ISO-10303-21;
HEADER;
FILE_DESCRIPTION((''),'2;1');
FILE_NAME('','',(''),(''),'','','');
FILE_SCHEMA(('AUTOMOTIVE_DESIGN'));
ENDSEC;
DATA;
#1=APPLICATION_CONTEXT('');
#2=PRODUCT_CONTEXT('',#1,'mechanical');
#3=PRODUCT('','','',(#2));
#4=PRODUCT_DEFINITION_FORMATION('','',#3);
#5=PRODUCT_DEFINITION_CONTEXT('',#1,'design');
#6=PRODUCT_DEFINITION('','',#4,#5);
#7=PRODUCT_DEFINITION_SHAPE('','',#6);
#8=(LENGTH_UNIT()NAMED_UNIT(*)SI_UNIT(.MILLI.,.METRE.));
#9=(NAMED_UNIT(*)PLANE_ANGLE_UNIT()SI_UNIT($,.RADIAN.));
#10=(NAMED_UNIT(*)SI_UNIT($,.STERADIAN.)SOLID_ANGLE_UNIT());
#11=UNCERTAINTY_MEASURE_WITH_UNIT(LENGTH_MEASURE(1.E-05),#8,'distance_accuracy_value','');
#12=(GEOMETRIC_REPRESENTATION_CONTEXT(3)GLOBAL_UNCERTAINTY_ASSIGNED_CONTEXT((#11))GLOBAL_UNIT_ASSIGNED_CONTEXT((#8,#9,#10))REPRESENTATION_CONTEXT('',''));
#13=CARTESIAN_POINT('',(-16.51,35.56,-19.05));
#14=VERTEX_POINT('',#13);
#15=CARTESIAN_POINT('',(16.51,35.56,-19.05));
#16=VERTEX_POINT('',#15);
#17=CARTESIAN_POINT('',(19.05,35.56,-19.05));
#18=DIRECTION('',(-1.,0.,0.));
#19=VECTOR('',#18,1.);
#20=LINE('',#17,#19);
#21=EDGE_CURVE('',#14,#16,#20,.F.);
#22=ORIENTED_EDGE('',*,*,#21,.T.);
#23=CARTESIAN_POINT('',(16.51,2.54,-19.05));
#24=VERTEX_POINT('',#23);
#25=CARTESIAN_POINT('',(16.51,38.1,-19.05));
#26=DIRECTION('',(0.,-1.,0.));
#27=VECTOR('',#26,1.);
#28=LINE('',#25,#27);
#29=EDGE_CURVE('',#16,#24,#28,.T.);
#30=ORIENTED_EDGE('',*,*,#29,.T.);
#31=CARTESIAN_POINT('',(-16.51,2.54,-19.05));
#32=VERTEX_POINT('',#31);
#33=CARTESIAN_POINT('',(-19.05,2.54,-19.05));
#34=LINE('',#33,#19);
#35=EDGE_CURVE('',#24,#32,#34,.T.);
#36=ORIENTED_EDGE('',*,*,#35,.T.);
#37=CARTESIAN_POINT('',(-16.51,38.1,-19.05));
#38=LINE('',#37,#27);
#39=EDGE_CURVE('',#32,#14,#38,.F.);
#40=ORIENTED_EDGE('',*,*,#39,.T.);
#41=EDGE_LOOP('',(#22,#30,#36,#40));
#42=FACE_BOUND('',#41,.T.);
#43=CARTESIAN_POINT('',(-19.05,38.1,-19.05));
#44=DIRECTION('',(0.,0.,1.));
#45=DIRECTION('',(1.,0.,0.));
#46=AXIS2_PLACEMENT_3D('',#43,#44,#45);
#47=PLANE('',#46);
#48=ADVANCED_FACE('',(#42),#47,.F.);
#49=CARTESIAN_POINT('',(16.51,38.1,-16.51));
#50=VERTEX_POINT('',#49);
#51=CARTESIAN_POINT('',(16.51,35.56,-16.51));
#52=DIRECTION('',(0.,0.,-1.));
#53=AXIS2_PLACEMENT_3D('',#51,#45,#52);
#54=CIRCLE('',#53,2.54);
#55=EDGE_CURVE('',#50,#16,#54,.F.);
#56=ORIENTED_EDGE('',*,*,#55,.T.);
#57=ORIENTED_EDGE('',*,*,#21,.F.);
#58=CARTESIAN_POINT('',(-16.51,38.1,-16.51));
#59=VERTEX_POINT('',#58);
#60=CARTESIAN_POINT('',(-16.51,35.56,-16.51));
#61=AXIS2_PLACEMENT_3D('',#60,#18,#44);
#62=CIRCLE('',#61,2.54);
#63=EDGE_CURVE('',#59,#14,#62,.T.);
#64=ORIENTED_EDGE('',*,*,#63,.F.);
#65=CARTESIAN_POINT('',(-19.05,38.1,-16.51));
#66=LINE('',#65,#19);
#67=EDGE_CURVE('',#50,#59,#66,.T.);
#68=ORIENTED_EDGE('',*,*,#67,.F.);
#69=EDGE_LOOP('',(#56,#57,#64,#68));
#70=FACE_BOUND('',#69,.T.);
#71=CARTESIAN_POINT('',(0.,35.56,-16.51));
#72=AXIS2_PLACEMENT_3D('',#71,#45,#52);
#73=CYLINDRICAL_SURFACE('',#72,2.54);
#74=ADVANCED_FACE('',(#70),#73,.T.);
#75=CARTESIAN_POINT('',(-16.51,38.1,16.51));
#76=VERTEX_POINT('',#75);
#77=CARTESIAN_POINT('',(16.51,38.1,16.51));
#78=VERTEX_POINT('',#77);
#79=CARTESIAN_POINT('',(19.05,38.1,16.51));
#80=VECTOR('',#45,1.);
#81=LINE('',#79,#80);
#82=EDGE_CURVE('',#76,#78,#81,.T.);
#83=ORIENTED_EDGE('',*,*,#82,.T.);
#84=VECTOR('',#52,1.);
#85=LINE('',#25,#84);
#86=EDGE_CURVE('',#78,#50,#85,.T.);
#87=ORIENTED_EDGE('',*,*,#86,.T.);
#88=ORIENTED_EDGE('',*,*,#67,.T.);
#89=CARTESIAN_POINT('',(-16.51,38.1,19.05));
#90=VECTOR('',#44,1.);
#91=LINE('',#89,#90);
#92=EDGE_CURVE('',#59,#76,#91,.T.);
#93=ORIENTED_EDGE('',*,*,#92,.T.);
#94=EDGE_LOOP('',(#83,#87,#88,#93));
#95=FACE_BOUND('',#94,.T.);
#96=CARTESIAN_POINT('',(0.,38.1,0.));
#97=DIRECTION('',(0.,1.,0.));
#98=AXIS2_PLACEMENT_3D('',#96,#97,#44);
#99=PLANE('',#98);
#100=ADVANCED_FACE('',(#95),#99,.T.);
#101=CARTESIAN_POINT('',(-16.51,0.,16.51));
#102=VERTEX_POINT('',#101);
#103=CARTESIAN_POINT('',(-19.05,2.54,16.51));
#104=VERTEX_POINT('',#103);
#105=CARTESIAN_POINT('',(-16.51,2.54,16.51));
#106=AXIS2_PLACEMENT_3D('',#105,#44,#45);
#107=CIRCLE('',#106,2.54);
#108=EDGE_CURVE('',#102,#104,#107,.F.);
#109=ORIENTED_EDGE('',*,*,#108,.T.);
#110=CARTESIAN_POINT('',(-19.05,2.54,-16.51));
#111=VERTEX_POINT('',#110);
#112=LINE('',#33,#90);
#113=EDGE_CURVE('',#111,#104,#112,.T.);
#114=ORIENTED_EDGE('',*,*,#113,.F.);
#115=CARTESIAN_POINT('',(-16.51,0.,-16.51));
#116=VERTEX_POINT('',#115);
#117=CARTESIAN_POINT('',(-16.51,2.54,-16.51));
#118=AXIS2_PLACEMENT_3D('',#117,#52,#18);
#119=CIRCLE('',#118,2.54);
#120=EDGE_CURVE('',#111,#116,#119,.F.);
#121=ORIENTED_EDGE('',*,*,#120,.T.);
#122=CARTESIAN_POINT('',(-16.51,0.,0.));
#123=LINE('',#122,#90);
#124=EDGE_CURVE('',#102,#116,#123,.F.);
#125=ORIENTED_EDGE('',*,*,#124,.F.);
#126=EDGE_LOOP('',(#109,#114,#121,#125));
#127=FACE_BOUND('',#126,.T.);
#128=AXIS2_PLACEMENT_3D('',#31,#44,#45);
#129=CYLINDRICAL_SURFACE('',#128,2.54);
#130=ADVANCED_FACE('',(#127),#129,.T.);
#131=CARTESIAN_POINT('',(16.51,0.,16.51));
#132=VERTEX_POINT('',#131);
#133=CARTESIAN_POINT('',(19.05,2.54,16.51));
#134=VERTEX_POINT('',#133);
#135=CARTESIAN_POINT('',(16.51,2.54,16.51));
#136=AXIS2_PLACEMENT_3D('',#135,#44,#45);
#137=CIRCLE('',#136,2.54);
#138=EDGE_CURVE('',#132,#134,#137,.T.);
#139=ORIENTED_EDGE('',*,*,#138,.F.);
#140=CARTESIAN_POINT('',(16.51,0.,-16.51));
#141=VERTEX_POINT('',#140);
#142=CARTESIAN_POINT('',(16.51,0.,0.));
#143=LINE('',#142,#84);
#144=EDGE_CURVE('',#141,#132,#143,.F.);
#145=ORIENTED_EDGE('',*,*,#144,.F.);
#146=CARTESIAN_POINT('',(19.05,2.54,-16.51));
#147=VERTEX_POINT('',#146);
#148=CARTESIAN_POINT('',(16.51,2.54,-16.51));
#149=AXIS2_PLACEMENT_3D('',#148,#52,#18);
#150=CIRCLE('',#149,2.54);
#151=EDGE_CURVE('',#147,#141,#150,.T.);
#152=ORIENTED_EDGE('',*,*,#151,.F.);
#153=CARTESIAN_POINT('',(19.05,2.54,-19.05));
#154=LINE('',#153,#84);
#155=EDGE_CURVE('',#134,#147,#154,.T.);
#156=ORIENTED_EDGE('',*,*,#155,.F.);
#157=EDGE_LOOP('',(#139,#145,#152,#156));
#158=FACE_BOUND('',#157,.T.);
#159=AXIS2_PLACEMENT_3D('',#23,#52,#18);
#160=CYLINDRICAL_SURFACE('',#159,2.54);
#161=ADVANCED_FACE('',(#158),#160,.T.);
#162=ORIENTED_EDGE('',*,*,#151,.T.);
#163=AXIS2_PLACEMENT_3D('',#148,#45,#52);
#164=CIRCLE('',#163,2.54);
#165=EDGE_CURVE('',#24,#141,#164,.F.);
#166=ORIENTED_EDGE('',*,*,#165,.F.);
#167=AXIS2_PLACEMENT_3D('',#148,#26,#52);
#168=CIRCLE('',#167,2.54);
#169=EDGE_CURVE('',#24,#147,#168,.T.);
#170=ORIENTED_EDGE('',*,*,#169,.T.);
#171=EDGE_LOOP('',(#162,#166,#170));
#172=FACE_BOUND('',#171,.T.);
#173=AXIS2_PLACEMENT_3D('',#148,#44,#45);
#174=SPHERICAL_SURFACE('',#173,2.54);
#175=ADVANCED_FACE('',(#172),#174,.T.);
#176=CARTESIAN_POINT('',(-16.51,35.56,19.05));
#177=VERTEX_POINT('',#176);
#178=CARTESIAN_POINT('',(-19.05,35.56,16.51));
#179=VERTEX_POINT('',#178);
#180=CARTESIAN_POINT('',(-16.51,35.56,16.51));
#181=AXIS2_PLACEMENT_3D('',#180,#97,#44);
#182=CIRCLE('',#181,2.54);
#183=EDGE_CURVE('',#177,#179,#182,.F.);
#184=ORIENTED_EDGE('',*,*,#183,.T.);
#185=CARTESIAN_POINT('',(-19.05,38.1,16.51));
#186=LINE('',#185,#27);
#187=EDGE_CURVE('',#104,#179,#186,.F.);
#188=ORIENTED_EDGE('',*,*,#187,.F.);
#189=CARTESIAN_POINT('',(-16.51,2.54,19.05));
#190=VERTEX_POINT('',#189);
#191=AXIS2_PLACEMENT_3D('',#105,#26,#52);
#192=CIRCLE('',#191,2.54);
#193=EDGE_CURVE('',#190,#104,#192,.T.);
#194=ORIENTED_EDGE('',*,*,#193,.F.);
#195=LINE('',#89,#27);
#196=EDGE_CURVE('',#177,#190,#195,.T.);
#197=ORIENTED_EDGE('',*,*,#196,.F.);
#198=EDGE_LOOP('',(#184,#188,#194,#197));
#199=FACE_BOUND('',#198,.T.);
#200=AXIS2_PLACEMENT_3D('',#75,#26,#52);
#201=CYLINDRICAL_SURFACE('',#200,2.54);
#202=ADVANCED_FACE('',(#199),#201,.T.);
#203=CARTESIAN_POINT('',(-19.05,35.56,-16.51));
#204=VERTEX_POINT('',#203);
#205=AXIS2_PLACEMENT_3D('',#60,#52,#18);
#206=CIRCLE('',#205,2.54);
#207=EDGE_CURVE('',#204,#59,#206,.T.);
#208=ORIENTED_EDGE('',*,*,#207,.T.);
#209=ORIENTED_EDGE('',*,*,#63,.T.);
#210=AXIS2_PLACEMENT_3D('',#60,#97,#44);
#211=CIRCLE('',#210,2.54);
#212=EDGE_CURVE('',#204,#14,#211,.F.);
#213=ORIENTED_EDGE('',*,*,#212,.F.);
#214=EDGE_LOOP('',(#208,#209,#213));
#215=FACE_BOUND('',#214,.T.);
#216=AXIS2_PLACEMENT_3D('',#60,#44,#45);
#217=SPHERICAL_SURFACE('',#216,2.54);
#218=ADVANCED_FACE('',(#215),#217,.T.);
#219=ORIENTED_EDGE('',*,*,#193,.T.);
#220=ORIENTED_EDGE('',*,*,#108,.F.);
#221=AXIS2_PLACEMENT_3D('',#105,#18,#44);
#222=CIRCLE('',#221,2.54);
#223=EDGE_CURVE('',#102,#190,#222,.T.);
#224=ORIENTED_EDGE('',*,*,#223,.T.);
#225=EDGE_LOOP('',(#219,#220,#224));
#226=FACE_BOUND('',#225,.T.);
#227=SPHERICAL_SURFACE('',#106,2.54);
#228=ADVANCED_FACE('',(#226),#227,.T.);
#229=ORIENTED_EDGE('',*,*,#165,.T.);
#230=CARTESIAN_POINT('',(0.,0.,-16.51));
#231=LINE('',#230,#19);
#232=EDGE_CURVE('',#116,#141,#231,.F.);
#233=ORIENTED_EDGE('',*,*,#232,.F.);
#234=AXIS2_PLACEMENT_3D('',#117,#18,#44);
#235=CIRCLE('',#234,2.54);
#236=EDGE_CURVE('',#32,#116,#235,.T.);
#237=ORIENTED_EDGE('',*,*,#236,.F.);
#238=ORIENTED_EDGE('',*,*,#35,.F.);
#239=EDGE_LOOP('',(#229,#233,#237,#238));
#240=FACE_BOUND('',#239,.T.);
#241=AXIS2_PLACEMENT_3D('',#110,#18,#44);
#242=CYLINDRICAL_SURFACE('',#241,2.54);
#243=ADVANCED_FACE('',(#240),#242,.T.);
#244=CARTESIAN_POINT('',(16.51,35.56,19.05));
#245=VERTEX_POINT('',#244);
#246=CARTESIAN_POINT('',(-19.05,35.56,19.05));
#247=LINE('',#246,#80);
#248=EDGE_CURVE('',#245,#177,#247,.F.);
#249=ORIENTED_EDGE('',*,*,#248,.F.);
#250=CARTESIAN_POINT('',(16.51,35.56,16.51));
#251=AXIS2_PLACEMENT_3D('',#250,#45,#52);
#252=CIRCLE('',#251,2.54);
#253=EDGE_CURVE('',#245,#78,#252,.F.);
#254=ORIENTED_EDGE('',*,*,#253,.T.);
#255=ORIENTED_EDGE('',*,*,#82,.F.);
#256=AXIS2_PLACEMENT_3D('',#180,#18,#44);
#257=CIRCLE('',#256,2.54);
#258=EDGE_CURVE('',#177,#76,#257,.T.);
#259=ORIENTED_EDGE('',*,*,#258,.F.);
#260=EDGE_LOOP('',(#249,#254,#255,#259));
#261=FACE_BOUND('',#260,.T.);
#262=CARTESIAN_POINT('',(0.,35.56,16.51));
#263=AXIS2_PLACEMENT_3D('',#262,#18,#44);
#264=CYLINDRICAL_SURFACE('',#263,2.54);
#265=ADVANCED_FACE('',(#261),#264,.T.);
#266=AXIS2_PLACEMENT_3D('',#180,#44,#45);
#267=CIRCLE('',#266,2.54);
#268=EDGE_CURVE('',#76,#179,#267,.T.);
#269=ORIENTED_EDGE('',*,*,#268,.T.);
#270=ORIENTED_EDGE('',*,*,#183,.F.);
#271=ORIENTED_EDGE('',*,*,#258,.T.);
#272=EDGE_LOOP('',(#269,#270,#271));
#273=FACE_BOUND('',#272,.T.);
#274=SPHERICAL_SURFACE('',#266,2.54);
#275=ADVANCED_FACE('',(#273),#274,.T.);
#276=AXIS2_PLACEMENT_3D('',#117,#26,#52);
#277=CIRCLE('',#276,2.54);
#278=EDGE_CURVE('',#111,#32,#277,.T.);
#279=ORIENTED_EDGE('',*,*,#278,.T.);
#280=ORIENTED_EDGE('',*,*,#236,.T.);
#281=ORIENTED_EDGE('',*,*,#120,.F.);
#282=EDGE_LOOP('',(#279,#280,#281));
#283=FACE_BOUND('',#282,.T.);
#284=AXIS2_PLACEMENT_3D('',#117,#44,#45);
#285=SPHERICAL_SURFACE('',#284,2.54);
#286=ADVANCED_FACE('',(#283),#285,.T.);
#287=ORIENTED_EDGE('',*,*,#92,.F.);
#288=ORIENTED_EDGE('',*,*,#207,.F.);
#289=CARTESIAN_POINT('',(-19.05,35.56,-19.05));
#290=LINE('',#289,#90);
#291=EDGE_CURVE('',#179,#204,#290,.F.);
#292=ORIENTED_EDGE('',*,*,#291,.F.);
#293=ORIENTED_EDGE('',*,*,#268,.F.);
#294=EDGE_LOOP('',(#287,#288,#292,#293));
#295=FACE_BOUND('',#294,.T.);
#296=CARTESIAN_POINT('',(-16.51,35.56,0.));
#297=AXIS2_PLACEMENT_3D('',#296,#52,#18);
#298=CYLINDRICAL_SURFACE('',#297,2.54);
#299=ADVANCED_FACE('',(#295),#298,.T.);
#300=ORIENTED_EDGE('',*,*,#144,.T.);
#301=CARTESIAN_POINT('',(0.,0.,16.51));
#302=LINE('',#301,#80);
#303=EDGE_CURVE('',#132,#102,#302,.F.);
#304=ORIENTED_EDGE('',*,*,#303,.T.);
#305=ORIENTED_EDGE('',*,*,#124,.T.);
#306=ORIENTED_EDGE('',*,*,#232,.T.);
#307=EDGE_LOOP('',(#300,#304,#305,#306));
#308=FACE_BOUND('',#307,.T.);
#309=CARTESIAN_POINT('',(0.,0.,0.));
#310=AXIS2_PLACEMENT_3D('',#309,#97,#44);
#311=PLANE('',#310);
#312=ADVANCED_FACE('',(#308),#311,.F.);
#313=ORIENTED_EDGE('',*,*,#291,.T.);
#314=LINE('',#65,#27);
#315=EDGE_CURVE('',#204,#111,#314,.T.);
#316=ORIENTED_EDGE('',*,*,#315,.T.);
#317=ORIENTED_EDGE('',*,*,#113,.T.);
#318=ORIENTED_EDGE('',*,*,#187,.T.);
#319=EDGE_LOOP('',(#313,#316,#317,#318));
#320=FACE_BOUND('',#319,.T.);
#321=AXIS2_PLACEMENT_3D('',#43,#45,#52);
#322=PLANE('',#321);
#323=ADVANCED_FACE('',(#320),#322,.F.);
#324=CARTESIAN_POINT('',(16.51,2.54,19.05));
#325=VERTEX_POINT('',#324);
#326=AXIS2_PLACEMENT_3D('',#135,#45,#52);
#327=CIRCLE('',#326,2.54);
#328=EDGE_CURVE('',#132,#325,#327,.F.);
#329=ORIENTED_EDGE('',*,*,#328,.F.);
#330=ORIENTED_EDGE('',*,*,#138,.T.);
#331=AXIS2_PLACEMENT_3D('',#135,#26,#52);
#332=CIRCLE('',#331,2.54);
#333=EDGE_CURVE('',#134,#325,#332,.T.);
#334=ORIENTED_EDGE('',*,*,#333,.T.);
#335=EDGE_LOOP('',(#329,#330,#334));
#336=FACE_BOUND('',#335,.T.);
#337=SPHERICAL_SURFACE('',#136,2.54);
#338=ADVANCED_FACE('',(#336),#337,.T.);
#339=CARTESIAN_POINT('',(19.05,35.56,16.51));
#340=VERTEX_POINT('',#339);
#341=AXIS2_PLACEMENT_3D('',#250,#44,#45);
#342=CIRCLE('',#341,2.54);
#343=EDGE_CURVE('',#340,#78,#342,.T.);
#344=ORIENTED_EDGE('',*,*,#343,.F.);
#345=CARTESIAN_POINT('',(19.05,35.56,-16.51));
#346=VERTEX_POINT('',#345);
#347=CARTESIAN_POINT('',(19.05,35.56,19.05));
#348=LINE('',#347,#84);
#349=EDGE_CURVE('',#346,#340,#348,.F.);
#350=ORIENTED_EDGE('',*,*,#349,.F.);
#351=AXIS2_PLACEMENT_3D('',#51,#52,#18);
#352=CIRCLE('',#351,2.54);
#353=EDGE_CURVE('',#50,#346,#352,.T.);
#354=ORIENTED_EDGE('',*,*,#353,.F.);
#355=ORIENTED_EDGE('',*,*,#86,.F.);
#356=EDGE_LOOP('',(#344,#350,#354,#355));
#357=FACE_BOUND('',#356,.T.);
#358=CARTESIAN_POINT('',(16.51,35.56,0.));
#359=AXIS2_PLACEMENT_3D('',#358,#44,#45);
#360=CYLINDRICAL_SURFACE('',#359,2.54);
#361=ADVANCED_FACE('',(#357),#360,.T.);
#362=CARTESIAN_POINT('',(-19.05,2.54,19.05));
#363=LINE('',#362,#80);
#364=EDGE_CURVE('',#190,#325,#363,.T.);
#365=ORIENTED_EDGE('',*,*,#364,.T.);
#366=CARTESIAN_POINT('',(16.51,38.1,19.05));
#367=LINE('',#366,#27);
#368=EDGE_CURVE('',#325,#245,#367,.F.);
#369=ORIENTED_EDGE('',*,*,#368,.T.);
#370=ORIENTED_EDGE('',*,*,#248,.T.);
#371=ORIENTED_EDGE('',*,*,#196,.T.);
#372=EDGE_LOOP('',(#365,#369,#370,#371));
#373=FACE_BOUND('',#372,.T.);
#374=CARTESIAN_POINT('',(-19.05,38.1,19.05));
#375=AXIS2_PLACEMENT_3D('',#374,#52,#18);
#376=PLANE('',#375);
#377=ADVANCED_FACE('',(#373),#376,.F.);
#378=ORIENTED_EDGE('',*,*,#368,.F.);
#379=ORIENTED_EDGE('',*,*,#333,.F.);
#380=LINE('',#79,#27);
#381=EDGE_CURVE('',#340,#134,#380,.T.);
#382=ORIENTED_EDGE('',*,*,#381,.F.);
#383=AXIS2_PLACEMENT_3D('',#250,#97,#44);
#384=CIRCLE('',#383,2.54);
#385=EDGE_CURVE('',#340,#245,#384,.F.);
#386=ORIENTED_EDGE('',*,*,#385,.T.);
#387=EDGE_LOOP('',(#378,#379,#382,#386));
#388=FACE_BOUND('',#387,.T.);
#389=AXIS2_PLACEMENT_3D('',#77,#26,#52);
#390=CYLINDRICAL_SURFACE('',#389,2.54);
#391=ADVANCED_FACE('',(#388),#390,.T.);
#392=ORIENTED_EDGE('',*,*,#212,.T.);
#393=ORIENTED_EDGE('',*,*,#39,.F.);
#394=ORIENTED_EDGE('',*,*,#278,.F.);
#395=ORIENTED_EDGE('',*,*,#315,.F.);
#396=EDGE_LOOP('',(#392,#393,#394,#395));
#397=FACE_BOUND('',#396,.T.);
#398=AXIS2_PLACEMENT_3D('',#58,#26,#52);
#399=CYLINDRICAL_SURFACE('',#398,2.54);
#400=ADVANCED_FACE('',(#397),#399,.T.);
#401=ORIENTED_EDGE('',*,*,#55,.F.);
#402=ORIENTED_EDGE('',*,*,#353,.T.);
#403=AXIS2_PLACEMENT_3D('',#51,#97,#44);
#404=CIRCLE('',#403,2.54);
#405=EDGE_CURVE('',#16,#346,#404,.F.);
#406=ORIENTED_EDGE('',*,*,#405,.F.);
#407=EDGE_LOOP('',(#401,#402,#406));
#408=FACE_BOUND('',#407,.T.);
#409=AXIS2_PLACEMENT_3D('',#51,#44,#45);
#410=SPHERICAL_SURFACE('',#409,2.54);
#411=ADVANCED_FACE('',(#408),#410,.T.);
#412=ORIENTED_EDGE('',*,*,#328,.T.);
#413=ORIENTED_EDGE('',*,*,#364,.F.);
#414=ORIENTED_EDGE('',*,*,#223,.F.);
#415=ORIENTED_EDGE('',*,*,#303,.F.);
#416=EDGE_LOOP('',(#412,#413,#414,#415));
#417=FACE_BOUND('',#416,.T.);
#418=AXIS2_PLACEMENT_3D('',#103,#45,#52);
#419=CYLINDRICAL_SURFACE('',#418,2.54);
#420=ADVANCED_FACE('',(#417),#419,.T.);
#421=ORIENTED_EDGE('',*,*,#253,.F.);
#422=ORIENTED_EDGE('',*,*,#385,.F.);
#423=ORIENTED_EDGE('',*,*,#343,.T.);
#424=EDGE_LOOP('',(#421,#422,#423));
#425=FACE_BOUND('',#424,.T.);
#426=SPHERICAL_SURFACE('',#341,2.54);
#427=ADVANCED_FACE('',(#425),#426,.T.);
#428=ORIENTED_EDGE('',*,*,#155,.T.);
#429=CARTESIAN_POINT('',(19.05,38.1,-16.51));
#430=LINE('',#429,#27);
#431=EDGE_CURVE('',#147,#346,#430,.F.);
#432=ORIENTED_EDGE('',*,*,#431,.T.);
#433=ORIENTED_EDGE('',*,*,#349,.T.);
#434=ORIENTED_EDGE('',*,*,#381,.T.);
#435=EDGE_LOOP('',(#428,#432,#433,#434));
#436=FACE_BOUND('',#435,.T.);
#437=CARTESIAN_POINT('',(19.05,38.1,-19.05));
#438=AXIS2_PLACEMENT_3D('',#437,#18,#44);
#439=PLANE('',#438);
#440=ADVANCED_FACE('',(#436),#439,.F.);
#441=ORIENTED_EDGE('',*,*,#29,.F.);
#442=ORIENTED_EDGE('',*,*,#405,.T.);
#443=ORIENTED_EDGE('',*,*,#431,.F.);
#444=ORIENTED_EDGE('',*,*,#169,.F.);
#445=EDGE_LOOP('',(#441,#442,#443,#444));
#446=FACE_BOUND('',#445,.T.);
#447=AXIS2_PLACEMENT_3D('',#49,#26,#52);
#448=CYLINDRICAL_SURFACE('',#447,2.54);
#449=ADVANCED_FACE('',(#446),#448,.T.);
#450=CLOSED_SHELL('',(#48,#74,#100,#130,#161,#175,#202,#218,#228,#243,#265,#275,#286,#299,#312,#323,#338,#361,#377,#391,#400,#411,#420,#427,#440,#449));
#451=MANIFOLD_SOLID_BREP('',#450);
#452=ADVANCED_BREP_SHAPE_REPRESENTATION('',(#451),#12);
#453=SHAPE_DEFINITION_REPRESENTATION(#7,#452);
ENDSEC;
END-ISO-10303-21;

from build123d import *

# Parameters (mm, degrees)
SKETCH1_W           = 38.1
SKETCH1_H           = 38.1
BOSS_EXTRUDE1_DEPTH = 38.1
FILLET1_R           = 2.54


with BuildPart() as part:
    # Sketch1 → Boss-Extrude1 (new body)
    with BuildSketch(Plane(origin=(0, 0, 0), x_dir=(1, 0, 0), z_dir=(0, 1, 0))):
        Rectangle(SKETCH1_W, SKETCH1_H)
    extrude(amount=BOSS_EXTRUDE1_DEPTH)

    # Fillet1
    fillet1_edges = [part.edges().sort_by_distance(p)[0] for p in [
        (-19.05, 38.1, 0),
        (0, 38.1, 19.05),
        (19.05, 38.1, 0),
        (0, 0, 19.05),
        (-19.05, 0, 0),
        (0, 0, -19.05),
        (19.05, 0, 0),
        (19.05, 19.05, 19.05),
        (-19.05, 19.05, 19.05),
        (-19.05, 19.05, -19.05),
        (19.05, 19.05, -19.05),
        (0, 38.1, -19.05),
    ]]
    fillet(fillet1_edges, radius=FILLET1_R)


solid = part.part
